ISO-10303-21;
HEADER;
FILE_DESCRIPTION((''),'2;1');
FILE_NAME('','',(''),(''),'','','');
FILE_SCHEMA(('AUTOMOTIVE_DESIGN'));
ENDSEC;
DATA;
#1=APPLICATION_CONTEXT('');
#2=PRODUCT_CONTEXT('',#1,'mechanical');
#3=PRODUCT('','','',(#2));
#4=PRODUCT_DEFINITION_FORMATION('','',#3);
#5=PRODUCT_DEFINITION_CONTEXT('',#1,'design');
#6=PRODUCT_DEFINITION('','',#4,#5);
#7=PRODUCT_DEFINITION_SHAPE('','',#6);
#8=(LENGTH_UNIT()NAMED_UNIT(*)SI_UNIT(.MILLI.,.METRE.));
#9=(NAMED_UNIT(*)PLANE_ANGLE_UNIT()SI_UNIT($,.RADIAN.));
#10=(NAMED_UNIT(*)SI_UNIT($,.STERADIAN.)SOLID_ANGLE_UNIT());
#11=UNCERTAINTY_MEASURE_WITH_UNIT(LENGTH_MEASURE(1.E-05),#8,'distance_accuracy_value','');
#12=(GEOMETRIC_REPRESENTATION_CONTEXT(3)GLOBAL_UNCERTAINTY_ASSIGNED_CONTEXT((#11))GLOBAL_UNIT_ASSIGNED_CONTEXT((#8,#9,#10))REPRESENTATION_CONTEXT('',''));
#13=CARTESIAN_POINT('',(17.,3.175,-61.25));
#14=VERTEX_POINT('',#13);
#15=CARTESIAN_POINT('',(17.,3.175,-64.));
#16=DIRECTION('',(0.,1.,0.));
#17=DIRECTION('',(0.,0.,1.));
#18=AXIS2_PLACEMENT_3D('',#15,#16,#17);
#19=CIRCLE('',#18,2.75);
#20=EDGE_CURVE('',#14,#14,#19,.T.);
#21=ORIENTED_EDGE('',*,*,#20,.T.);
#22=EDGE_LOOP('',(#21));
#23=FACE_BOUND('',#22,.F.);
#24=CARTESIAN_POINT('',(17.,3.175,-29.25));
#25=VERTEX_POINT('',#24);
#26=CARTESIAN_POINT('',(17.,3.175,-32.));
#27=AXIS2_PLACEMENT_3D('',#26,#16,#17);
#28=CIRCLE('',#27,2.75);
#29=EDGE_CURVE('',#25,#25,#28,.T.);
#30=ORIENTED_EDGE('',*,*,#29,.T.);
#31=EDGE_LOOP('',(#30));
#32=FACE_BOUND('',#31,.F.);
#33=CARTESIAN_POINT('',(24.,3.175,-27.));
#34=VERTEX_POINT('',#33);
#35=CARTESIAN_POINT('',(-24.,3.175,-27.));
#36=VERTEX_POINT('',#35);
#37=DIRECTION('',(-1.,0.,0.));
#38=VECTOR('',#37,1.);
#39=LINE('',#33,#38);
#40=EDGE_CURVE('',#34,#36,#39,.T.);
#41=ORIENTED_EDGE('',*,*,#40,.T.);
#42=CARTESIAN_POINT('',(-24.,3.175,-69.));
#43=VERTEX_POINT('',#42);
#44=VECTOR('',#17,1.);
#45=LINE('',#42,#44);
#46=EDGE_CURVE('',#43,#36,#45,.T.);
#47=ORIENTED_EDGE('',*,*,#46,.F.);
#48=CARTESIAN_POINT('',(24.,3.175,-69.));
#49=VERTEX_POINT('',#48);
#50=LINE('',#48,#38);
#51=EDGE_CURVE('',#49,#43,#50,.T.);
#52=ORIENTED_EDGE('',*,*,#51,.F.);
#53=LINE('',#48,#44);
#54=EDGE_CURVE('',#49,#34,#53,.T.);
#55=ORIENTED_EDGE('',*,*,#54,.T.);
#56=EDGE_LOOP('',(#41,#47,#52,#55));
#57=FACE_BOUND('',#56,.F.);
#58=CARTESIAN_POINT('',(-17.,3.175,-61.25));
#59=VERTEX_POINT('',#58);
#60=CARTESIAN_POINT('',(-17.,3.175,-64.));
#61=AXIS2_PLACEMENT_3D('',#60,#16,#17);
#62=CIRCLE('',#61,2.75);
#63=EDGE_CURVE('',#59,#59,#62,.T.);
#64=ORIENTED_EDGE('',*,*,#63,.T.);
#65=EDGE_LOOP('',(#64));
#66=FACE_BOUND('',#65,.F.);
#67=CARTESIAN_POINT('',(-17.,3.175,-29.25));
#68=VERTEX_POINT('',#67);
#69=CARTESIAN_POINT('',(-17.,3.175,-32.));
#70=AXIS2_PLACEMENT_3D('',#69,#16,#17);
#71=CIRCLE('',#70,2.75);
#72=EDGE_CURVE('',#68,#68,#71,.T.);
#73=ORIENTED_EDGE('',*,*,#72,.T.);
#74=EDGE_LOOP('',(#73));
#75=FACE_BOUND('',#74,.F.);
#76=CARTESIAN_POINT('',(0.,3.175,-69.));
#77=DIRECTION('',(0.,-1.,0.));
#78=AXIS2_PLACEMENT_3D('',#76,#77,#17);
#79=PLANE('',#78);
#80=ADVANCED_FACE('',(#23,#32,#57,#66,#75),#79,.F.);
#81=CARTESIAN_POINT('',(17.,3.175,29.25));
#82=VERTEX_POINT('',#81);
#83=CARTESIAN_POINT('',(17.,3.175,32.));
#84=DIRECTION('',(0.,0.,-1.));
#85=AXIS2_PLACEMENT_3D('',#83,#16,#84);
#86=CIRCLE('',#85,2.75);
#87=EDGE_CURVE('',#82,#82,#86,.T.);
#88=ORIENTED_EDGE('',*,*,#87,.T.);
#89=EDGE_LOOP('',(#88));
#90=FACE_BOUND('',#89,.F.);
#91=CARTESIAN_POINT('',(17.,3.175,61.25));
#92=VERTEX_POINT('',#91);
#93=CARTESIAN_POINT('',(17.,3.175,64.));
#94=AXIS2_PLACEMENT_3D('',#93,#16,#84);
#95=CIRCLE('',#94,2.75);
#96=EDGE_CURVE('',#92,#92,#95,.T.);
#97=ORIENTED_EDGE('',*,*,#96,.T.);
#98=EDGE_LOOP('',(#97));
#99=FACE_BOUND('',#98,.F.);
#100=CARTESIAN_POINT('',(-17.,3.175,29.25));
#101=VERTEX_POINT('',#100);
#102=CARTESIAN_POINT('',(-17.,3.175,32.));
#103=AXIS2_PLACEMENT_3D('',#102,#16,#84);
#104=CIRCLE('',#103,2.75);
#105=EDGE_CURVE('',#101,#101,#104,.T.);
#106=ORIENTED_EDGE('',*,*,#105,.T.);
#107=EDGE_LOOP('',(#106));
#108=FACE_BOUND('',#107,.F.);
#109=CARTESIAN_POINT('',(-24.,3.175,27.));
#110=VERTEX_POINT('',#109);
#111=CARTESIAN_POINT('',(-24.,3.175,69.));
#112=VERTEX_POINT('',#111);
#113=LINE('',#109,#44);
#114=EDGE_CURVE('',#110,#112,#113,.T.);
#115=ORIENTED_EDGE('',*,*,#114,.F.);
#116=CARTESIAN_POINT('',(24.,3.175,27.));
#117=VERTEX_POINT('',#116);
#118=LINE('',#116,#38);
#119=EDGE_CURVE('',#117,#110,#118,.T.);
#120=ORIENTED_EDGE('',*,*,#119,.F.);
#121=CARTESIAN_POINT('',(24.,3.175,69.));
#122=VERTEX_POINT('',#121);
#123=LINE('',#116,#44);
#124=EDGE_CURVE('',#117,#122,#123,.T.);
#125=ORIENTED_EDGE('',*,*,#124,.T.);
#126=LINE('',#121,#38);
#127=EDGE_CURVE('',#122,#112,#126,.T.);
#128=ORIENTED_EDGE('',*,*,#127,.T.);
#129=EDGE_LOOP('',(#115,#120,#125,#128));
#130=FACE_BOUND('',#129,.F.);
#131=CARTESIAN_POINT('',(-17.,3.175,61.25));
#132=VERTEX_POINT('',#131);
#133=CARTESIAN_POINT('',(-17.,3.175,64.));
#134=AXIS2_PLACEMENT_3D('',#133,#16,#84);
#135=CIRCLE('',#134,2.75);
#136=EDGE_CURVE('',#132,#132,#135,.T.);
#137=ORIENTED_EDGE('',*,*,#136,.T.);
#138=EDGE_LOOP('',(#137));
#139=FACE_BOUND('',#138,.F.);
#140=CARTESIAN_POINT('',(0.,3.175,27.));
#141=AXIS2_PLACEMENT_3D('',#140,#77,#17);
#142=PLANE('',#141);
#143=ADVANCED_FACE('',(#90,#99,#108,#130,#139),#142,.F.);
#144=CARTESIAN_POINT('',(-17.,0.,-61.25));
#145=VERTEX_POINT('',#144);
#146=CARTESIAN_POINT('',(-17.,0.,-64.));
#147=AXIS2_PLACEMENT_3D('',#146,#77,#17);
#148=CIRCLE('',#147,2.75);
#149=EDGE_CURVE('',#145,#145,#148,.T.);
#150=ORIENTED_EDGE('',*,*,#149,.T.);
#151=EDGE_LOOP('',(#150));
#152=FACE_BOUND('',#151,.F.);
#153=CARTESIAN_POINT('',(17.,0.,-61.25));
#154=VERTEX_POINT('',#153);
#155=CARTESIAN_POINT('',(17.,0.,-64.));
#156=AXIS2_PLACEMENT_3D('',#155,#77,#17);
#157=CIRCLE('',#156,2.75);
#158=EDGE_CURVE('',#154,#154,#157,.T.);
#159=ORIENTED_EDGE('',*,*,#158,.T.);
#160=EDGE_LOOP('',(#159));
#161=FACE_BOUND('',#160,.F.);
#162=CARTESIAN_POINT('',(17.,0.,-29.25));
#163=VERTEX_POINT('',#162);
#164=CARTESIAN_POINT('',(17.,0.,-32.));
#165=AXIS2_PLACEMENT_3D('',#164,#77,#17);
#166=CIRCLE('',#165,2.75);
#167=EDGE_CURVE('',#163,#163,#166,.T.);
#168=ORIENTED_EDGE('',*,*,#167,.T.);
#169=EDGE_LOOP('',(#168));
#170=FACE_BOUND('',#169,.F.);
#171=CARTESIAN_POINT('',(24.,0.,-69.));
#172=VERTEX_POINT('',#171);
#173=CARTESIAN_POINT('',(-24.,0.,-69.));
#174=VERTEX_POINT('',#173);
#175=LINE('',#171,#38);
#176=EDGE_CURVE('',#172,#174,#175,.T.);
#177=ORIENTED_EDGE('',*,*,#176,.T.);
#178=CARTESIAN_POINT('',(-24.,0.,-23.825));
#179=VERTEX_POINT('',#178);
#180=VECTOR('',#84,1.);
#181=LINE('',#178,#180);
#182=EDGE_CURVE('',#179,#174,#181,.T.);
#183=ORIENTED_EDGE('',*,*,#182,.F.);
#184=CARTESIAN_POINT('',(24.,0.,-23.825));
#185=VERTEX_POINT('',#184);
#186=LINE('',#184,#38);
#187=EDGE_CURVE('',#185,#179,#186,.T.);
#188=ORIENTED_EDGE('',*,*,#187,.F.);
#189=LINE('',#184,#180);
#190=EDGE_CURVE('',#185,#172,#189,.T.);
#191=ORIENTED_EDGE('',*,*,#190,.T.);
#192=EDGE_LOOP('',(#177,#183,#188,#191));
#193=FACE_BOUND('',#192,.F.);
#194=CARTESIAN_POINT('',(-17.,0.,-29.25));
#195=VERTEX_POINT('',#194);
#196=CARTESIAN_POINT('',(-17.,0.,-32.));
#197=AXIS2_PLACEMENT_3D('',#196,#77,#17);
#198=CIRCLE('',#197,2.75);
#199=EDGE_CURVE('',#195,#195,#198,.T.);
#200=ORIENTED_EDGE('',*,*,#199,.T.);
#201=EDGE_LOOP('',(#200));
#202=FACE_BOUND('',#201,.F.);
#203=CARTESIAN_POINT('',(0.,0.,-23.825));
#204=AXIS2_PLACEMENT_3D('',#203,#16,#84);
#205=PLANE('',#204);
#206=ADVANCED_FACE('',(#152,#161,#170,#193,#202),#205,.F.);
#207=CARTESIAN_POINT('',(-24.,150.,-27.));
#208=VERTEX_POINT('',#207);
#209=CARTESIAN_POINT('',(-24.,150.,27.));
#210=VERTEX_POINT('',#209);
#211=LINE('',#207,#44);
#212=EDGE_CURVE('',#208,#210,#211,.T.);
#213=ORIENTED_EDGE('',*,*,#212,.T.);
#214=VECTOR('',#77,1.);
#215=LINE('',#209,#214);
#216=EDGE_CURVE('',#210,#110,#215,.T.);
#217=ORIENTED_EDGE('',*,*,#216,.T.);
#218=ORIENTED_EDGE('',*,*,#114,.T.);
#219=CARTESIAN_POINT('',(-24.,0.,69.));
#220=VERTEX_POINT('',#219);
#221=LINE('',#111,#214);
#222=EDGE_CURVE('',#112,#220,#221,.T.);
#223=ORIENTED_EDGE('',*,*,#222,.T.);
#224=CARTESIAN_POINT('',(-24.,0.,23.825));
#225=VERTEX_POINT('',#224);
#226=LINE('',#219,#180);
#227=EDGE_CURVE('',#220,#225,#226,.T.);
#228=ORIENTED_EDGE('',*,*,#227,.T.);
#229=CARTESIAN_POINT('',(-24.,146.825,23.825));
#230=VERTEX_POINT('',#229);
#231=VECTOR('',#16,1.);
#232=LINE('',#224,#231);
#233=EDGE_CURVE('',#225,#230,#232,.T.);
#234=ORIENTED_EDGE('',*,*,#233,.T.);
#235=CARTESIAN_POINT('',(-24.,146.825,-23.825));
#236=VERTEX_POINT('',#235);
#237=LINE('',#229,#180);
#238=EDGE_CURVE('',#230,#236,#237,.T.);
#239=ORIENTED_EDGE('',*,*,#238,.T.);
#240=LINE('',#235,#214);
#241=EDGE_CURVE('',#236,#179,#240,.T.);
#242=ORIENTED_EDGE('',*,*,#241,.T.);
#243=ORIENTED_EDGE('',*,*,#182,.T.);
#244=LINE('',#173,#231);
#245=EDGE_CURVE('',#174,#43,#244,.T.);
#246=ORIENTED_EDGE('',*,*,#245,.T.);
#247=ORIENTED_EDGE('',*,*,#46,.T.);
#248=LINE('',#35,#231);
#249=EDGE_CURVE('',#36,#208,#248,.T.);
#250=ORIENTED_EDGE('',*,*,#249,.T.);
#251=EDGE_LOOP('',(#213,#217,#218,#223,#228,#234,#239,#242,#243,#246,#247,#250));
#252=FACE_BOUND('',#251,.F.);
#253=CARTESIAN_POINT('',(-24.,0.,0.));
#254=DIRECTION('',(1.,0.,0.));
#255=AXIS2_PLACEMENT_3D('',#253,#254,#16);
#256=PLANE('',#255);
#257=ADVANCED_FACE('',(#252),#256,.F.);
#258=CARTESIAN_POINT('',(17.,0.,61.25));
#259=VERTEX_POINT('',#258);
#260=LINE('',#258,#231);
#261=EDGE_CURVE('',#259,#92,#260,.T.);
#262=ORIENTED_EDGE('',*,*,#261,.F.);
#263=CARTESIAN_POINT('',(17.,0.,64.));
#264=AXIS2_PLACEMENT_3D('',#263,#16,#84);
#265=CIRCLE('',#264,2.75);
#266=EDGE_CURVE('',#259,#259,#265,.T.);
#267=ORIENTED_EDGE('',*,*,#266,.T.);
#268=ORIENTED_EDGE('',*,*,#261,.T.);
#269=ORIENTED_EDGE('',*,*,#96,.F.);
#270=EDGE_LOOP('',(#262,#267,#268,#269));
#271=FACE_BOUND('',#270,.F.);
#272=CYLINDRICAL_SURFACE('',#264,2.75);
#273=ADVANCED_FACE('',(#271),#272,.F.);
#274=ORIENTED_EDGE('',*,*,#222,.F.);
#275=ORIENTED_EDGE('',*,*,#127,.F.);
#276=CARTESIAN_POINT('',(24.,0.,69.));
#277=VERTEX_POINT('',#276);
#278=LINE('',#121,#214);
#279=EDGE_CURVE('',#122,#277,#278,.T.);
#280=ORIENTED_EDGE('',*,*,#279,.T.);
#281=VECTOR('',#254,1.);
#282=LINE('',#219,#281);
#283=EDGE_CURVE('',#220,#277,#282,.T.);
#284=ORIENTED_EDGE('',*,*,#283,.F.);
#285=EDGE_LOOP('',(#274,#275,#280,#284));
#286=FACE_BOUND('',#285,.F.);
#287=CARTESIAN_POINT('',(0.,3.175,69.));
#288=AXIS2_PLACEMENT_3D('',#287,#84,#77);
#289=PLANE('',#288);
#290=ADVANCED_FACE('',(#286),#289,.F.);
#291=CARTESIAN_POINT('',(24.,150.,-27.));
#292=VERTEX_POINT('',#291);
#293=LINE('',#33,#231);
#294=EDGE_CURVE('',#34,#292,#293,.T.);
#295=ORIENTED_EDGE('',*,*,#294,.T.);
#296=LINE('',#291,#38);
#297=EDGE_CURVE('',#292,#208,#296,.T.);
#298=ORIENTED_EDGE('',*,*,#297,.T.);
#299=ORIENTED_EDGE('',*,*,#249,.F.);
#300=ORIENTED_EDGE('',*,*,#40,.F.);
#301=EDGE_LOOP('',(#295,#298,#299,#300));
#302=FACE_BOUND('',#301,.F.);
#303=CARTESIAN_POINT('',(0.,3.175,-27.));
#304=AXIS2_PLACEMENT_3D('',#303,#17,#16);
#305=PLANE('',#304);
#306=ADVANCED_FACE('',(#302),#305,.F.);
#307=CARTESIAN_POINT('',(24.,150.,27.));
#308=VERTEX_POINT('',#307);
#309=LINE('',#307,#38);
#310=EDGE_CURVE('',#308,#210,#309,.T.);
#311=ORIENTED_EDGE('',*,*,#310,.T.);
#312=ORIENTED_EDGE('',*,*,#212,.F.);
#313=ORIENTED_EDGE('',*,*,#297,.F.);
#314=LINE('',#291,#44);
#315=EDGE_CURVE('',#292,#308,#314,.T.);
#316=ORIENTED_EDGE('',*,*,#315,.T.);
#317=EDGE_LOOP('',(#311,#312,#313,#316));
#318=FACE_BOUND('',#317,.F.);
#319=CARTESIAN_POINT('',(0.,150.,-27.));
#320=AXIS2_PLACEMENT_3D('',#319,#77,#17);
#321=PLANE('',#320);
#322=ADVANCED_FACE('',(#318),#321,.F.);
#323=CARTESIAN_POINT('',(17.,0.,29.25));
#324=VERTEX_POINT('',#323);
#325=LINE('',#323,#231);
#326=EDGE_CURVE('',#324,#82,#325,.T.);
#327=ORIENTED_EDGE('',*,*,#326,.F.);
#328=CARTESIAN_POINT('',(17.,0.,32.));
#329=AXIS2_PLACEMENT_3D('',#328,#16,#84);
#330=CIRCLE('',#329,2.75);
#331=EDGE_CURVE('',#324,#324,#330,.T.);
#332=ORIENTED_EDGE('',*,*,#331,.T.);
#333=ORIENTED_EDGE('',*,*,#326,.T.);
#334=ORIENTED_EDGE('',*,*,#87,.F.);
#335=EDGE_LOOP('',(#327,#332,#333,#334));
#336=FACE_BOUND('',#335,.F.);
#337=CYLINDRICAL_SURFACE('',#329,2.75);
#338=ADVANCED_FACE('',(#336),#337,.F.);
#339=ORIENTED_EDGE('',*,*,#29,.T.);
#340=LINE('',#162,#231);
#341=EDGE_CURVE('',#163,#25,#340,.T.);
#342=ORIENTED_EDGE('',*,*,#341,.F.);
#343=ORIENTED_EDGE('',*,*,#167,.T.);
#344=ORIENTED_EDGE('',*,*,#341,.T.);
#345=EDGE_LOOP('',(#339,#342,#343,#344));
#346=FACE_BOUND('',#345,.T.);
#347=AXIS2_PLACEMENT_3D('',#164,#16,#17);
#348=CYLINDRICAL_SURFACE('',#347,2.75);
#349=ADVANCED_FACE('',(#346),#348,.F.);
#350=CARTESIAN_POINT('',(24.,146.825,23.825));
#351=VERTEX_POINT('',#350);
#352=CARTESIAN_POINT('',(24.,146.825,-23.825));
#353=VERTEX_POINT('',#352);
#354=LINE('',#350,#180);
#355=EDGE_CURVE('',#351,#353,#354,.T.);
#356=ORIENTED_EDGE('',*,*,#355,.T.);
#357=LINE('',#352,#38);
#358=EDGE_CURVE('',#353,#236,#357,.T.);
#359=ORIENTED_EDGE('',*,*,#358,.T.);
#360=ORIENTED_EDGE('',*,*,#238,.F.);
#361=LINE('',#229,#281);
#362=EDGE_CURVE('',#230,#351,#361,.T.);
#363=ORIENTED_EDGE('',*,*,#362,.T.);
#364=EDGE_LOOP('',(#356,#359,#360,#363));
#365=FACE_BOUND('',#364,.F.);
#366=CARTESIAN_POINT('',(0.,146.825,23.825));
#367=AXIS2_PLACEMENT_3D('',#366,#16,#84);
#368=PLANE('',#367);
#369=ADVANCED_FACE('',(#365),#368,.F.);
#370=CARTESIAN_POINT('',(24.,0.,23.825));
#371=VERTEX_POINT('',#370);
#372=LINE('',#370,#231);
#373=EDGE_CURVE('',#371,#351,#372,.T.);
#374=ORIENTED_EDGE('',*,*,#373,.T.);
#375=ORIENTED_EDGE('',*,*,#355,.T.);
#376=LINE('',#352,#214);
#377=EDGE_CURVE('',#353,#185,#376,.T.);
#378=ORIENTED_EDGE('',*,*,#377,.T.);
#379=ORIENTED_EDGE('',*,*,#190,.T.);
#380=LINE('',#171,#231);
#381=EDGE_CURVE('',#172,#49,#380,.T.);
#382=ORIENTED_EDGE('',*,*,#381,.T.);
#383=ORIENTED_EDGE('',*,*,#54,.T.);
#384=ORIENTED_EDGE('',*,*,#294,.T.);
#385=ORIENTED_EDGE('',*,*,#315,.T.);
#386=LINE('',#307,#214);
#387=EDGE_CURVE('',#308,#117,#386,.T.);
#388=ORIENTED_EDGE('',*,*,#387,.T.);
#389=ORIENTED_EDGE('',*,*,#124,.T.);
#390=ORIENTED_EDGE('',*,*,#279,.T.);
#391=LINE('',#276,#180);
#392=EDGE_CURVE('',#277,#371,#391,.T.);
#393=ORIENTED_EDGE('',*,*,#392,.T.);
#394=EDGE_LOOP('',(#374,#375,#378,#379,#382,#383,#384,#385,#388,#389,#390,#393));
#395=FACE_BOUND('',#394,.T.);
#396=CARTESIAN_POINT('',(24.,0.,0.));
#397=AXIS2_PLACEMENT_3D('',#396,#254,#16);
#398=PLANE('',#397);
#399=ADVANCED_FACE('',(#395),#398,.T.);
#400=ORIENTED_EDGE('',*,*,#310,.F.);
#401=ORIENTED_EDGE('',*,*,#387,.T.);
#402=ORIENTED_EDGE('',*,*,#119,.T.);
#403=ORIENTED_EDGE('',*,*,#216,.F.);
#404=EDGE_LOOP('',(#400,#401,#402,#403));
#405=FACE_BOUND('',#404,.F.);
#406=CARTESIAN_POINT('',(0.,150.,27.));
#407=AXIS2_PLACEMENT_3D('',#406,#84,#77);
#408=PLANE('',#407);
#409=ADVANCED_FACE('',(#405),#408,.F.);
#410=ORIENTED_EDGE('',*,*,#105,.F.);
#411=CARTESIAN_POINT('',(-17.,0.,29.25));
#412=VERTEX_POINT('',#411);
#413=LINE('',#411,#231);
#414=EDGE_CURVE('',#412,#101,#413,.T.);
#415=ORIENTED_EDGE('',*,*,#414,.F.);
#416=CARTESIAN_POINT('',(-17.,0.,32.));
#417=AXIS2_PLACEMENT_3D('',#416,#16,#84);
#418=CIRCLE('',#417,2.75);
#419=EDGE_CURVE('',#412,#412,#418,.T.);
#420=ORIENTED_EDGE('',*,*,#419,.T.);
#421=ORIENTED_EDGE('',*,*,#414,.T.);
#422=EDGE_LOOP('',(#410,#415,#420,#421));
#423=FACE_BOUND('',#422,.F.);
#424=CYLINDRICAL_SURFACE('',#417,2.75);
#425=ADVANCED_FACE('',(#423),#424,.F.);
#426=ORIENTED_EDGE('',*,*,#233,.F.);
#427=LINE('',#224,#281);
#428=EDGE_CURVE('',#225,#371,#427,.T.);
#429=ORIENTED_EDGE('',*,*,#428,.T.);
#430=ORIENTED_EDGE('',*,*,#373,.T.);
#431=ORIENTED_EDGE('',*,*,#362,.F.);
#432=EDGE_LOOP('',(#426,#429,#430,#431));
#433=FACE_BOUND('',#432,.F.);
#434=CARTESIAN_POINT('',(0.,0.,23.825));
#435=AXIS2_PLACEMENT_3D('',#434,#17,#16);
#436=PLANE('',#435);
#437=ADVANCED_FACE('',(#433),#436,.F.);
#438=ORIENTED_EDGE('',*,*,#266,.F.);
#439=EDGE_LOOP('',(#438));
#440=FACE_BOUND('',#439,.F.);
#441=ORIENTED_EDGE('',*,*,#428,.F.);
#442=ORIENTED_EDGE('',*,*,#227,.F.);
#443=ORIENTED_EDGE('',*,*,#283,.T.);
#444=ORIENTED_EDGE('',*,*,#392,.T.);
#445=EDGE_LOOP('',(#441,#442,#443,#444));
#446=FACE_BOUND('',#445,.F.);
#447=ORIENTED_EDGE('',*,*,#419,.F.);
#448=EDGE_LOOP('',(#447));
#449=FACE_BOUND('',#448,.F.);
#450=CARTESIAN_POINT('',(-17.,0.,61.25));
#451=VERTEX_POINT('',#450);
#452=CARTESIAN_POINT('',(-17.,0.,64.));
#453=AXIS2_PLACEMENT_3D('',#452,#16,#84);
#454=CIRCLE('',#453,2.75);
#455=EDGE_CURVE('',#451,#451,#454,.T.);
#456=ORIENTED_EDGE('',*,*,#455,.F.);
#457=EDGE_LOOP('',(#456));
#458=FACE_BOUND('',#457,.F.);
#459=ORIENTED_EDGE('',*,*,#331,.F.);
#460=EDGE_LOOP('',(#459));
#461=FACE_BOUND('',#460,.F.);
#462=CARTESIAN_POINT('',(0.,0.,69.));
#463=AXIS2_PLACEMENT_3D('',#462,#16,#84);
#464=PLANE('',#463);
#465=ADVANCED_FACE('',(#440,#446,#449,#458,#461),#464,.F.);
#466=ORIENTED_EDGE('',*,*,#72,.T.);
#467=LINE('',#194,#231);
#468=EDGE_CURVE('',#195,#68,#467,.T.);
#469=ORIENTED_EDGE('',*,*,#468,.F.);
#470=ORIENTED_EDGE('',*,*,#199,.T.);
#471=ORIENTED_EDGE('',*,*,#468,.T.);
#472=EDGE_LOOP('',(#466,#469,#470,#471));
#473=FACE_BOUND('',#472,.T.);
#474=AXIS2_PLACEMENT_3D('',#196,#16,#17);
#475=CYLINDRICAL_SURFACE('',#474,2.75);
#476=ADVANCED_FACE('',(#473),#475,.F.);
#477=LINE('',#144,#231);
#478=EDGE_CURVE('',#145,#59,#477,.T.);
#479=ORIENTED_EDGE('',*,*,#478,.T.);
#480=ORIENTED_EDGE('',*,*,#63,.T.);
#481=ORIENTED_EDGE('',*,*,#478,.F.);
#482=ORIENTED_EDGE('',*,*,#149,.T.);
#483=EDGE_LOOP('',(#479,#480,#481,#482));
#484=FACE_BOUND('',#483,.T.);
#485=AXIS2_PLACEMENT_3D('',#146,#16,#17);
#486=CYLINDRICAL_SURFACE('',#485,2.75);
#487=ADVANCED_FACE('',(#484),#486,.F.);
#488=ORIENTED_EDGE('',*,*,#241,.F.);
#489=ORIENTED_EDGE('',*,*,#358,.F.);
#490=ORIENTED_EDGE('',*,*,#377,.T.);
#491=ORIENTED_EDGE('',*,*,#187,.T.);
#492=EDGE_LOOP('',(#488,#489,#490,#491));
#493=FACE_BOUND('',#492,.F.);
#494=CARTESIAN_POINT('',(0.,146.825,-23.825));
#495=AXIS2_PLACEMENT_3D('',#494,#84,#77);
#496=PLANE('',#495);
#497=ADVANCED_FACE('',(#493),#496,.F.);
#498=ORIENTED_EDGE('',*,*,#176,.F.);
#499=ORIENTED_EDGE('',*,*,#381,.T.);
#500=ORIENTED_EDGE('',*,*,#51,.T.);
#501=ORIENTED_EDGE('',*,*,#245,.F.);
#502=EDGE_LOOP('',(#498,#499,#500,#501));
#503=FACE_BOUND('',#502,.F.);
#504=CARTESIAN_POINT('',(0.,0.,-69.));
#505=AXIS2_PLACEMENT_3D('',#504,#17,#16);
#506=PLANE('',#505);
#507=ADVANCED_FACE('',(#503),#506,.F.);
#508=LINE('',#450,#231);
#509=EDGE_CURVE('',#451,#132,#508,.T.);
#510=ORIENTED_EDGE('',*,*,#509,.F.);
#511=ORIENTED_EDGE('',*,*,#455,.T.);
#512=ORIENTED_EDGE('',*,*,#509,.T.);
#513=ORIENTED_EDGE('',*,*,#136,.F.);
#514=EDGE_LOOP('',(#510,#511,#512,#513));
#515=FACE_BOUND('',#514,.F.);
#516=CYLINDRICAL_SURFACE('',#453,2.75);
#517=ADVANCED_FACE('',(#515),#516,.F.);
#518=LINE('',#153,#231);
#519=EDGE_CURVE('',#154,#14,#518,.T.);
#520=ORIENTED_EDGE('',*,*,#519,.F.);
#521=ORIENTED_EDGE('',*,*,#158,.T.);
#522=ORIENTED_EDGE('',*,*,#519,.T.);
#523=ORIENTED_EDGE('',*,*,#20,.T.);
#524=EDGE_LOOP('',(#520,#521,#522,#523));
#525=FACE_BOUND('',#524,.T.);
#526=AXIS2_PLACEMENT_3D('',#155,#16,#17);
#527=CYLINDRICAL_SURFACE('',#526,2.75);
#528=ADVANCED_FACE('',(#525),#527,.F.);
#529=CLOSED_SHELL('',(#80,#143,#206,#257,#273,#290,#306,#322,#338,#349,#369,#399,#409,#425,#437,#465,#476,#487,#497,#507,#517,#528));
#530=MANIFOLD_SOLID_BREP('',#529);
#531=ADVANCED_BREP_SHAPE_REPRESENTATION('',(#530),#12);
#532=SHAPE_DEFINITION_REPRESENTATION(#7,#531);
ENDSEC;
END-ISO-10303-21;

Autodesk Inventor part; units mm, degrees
ref_plane "YZ Plane" through (0, 0, 0) normal (1, 0, 0) x (0, 1, 0)
ref_plane "XZ Plane" through (0, 0, 0) normal (0, 1, 0) x (-1, 0, 0)
ref_plane "XY Plane" through (0, 0, 0) normal (0, 0, 1) x (1, 0, 0)
sketch "Sketch1" plane through (0, 0, 0) normal (1, 0, 0) x (0, 1, 0)
  line L0 (0, 69) -> (0, 23.825)
  line L1 (0, 23.825) -> (146.825, 23.825)
  line L2 (146.825, 23.825) -> (146.825, -23.825)
  line L3 (146.825, -23.825) -> (0, -23.825)
  line L4 (0, -23.825) -> (0, -69)
  line L5 (0, -69) -> (3.175, -69)
  line L6 (3.175, -69) -> (3.175, -27)
  line L7 (3.175, -27) -> (150, -27)
  line L8 (150, -27) -> (150, 27)
  line L9 (150, 27) -> (3.175, 27)
  line L10 (3.175, 27) -> (3.175, 69)
  line L11 (3.175, 69) -> (0, 69)
  line L12 (6.6614, 27) -> (6.6614, 23.825) construction
  line L13 (146.825, 0) -> (150, 0) construction
  line L14 (6.6614, -23.825) -> (6.6614, -27) construction
  line L15 (-30, 0) -> (180, 0) construction
  line L16 (106.5396, 5.913) -> (72.5659, 5.913) construction
  line L17 (114.8237, 26.913) -> (65.8343, 26.913) construction
  point P0 (0, 0)
  dimension "d0" = 3.175
  dimension "d3" = 150
  dimension "d4" = 29.738
  dimension "d5" = 21
  dimension "d24" = 42
  dimension "d25" = 54
extrude "Extrusion1" add sketch "Sketch1" along normal mid plane 48
sketch "Sketch2" plane through (-24, 0, 23.825) normal (0, -1, 0) x (1, 0, 0)
  line L0 (0, 0) -> (0, 45.175) projected
  line L1 (0, 0) -> (48, 0) projected
  line L2 (48, 45.175) -> (48, 0) projected
  line L3 (48, 45.175) -> (0, 45.175) projected
  line L4 (0, -92.825) -> (0, -47.65) projected
  line L5 (0, -92.825) -> (48, -92.825) projected
  line L6 (48, -47.65) -> (48, -92.825) projected
  line L7 (0, -47.65) -> (48, -47.65) projected
  line L8 (0, 0) -> (48, 0) projected
  line L9 (0, 0) -> (0, 45.175) projected
  line L10 (24, 72.775) -> (24, -120.425) projected
  point P0 (24, -23.825)
  point P1 (41, 40.175)
  dimension "d9" = 5
  dimension "d10" = 17
hole "Hole1" at (17, 0, 64) direction (0, 1, 0) diameter 5.5 end through all
pattern_linear "Rectangular Pattern1" count 2 spacing 32 along (0, 0, -1) count 2 spacing 34 along (-1, 0, 0) of "Hole1"
mirror "Mirror1" about plane through (0, 0, 0) normal (0, 0, 1) of "Hole1", "Rectangular Pattern1"
equation "\"d25\" = Gap"
equation "\"Gap\" = 54"
properties part number "Sheet Metal Arm v2"
